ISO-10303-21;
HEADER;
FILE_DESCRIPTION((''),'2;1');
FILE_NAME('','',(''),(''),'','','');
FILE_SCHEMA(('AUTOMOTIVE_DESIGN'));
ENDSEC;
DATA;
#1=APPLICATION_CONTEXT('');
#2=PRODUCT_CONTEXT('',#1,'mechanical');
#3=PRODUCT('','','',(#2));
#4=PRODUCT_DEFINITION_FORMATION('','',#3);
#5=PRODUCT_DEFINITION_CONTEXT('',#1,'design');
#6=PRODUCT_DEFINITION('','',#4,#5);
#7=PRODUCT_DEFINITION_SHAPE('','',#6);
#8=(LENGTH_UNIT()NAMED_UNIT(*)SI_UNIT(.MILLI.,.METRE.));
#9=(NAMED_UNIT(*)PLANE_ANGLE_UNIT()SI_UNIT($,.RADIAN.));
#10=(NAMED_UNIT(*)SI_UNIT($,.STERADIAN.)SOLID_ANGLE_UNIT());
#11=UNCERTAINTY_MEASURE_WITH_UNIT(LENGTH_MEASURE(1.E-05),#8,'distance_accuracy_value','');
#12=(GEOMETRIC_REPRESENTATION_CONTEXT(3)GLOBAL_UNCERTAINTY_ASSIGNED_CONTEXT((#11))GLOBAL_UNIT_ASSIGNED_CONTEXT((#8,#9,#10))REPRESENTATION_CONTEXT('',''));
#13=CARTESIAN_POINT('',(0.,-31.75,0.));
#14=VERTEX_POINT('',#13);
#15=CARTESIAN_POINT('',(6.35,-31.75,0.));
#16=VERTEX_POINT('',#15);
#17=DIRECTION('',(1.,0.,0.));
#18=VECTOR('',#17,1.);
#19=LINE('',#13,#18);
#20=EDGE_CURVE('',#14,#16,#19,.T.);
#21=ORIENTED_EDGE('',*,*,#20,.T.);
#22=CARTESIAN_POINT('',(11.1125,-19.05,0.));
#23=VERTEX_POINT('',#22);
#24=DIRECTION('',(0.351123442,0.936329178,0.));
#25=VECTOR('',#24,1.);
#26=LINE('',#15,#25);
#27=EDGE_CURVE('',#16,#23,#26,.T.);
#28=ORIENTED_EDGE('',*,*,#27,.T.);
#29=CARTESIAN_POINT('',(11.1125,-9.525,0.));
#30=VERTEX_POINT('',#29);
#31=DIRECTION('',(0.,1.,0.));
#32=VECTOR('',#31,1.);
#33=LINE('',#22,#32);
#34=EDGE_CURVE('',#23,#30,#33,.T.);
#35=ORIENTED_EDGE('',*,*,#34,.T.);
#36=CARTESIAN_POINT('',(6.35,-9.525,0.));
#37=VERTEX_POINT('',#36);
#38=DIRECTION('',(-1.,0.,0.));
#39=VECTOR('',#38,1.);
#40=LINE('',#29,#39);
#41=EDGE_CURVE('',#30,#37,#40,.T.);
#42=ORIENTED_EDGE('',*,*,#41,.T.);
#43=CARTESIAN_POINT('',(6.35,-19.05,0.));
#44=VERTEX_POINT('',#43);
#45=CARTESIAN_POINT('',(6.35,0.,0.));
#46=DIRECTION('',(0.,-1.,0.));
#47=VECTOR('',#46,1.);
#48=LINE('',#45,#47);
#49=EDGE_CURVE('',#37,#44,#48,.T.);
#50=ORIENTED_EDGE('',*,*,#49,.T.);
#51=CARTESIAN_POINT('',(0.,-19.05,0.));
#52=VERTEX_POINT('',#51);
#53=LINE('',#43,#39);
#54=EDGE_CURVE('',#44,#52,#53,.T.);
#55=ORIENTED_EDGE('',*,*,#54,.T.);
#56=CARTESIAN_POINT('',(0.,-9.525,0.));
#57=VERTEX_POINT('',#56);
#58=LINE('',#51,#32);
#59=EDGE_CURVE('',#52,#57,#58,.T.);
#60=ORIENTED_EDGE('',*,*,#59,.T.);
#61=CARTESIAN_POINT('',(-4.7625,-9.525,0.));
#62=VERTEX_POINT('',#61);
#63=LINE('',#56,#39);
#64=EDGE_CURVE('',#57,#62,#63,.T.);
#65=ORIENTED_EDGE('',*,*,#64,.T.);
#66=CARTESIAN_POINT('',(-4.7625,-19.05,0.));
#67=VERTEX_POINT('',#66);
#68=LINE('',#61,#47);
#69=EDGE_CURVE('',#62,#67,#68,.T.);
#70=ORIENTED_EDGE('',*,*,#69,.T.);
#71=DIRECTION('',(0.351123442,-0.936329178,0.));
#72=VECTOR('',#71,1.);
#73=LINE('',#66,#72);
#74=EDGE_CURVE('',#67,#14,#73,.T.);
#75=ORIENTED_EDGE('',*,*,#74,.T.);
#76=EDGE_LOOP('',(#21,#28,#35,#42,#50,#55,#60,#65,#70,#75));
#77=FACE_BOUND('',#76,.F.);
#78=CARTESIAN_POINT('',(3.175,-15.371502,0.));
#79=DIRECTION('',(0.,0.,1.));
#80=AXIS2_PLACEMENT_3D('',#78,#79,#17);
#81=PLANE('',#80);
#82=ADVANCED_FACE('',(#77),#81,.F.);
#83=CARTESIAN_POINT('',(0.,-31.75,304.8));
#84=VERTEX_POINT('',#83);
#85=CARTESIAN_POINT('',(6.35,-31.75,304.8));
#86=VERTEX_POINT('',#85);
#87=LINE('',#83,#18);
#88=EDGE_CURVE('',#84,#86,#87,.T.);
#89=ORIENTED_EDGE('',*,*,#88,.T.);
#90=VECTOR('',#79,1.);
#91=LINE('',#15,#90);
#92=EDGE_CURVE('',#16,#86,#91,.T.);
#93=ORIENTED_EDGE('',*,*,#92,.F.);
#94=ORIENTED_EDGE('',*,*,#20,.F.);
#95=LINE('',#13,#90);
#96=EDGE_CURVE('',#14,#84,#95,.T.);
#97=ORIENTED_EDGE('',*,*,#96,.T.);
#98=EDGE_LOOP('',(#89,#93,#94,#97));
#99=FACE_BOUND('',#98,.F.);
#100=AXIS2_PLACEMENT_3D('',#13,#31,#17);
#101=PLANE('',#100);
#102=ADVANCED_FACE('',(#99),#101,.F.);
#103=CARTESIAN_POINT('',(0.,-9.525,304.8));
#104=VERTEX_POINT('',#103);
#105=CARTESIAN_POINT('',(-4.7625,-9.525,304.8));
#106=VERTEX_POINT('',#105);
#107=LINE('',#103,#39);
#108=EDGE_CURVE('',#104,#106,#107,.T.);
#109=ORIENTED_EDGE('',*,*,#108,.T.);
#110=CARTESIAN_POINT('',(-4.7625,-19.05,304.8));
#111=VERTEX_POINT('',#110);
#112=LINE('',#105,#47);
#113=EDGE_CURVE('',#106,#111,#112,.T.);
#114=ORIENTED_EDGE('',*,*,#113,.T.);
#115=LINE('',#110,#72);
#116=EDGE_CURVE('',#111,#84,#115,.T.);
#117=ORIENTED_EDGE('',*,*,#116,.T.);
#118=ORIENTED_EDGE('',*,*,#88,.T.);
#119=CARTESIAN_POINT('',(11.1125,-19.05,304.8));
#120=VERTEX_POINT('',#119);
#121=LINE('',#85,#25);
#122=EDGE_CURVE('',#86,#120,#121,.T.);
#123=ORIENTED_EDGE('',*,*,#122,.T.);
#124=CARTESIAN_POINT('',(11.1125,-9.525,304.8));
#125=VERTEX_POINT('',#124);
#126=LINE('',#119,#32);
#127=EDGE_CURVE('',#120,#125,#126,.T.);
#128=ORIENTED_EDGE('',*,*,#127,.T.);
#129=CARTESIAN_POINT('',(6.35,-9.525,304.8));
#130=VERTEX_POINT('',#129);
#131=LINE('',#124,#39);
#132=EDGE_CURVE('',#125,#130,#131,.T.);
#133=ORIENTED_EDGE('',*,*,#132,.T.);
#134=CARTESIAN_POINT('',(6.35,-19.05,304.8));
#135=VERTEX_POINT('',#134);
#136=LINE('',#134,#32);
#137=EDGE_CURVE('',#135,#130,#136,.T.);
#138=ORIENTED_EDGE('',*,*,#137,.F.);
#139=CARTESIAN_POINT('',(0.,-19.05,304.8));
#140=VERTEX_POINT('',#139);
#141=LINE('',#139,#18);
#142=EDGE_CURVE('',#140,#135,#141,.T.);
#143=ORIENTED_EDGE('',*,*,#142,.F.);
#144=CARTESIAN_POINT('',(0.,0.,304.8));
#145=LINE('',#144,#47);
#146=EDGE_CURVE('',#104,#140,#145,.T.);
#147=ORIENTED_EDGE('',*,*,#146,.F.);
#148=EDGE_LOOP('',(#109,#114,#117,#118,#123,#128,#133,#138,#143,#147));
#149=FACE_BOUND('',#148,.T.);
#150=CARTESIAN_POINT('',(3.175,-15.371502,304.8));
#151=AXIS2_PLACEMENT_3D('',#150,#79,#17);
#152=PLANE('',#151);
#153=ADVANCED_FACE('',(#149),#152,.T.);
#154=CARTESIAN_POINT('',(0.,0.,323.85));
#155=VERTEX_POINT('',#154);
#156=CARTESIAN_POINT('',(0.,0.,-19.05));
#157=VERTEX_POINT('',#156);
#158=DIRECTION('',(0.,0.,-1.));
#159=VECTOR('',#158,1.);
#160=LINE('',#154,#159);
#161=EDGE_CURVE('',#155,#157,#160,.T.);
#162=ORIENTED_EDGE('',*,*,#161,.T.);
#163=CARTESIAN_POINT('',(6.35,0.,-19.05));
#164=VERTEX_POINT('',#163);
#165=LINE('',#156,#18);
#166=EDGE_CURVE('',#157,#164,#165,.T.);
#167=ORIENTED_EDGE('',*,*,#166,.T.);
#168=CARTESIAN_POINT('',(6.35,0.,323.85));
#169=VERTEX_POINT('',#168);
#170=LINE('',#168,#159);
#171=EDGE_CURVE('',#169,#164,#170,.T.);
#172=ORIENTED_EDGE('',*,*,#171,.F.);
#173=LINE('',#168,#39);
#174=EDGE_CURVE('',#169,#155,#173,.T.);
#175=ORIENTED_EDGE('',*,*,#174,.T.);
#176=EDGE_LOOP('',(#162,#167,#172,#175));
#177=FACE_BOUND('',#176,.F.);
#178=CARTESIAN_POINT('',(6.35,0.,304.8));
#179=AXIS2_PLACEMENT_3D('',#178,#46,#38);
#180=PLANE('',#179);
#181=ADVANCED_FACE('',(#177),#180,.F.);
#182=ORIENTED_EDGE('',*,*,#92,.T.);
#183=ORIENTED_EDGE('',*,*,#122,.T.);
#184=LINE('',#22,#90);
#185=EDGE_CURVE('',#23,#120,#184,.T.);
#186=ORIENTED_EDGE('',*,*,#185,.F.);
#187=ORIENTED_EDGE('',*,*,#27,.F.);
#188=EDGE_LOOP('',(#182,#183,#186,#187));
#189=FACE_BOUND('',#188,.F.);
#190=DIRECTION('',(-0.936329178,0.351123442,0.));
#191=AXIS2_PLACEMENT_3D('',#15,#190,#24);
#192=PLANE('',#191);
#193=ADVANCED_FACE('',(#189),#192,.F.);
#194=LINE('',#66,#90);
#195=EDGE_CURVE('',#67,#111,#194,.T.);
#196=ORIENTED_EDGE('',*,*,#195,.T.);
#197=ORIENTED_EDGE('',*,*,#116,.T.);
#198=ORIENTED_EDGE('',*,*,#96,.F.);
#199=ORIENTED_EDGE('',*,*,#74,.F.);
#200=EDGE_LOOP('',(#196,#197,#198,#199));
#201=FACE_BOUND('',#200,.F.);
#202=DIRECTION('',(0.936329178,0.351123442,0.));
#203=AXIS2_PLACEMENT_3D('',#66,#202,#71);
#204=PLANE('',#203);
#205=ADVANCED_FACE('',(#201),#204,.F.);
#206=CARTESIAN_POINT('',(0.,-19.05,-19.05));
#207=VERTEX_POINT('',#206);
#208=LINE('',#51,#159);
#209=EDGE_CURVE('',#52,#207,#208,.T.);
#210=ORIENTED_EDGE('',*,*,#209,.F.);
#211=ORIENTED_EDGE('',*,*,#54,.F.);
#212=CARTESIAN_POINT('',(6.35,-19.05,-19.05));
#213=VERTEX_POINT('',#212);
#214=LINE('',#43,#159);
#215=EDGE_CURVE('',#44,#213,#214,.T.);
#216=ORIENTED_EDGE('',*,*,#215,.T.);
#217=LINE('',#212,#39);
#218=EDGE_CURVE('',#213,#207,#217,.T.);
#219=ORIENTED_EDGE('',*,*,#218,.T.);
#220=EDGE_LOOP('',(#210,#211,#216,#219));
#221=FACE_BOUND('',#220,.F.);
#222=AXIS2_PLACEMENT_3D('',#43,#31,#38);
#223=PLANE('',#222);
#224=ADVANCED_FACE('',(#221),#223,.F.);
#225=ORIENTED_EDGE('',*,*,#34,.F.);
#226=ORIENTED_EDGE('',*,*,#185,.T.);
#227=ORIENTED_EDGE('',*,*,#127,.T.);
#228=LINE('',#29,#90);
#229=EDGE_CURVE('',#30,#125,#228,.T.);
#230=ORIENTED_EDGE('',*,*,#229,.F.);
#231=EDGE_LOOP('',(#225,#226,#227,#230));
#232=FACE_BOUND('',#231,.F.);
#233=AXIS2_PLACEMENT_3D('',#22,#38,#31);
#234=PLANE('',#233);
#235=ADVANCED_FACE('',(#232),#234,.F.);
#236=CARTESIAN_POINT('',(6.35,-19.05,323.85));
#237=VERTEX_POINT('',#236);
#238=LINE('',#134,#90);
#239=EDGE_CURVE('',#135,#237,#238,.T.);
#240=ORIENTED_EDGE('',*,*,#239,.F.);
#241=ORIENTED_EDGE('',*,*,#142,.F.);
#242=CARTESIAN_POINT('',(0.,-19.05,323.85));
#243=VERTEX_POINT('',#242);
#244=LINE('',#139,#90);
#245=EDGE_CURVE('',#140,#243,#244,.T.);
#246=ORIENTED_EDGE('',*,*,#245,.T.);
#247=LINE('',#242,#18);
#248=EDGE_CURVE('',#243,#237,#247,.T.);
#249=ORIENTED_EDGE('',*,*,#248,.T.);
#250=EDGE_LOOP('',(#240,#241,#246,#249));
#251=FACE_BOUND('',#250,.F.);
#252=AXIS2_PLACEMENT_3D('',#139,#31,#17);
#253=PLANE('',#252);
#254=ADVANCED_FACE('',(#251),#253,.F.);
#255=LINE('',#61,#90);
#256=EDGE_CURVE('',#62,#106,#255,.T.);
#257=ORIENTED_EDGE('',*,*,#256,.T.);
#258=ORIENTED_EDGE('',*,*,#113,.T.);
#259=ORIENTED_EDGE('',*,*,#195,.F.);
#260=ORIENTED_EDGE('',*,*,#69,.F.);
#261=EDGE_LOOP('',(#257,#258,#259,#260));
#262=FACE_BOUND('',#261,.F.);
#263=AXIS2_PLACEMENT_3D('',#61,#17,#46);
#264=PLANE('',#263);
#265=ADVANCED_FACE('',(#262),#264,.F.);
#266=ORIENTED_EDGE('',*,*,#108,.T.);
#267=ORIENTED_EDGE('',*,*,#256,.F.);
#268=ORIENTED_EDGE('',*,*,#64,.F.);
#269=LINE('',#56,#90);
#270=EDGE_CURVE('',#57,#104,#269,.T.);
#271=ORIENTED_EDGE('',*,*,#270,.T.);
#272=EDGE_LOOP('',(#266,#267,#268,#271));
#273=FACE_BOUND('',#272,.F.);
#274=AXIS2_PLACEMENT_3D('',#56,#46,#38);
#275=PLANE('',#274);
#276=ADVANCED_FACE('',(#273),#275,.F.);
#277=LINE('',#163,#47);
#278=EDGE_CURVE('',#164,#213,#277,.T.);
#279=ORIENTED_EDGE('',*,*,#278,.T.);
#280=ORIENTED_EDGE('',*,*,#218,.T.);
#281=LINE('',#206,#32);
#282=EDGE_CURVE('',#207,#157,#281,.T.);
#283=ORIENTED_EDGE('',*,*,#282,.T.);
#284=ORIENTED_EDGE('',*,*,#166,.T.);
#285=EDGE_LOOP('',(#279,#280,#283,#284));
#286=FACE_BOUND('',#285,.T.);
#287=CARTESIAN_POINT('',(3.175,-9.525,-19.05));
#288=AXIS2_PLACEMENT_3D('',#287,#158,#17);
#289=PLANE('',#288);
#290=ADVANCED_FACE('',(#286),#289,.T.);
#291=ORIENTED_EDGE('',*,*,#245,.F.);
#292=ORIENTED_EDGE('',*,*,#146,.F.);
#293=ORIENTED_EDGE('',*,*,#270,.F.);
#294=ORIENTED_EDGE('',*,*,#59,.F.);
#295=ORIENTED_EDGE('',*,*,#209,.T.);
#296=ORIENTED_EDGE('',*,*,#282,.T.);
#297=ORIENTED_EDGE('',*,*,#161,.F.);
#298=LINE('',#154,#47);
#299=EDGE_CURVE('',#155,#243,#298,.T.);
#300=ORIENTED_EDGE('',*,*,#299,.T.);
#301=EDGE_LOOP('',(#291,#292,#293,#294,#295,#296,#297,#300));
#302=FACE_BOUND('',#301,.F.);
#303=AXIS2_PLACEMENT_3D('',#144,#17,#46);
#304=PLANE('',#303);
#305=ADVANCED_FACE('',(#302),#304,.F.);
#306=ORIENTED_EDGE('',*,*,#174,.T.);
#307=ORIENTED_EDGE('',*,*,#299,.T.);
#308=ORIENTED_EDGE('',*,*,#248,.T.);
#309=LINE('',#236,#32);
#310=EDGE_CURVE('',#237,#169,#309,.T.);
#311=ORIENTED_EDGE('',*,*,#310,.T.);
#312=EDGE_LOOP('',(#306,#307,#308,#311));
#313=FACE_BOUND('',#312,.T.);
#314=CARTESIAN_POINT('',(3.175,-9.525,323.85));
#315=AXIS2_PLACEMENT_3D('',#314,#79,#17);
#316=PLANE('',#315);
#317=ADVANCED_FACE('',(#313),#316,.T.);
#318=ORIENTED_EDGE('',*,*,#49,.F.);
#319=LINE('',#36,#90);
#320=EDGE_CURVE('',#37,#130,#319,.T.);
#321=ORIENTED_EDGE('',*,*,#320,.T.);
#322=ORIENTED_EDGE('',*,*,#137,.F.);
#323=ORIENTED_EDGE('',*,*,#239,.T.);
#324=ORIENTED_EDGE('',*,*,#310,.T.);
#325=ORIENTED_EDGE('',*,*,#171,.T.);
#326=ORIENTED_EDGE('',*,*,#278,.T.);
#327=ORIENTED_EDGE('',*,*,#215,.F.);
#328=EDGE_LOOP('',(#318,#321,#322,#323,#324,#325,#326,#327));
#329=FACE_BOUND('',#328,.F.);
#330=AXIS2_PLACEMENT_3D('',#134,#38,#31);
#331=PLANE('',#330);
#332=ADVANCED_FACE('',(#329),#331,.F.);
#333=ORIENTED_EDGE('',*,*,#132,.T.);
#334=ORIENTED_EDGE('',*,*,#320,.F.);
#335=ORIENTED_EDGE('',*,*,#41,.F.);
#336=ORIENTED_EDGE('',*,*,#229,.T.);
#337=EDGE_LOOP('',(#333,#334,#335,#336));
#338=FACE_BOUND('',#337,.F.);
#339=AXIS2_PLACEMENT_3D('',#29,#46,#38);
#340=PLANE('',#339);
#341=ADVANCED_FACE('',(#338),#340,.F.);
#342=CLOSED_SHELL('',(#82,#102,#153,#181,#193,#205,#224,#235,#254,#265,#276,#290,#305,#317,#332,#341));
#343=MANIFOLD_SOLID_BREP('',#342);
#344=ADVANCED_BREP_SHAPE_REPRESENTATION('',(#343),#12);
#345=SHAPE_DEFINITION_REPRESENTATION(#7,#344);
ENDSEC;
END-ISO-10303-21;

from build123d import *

# Parameters (mm, degrees)
F1_DEPTH = 304.8
F3_DEPTH = 19.05
F5_DEPTH = 19.05


with BuildPart() as f1:
    # F0 (on Top) → F1 (new body)
    with BuildSketch(Plane.XY):
        Polygon((6.35, 0), (0, 0), (0, -9.525), (-4.7625, -9.525), (-4.7625, -19.05), (0, -31.75), (6.35, -31.75), (11.1125, -19.05), (11.1125, -9.525), (6.35, -9.525), align=None)
    extrude(amount=F1_DEPTH)

    # F2 (on face) → F3 (join)
    with BuildSketch(Plane(origin=(0, 0, 0), x_dir=(1, 0, 0), z_dir=(0, 0, -1))):
        Polygon((6.35, 9.525), (6.35, 19.05), (0, 19.05), (0, 9.525), (0, 0), (6.35, 0), align=None)
    extrude(amount=F3_DEPTH)

    # F4 (on face) → F5 (join)
    with BuildSketch(Plane.XY.offset(304.8)):
        Polygon((0, 0), (0, -9.525), (0, -19.05), (6.35, -19.05), (6.35, -9.525), (6.35, 0), align=None)
    extrude(amount=F5_DEPTH)


solid = f1.part
